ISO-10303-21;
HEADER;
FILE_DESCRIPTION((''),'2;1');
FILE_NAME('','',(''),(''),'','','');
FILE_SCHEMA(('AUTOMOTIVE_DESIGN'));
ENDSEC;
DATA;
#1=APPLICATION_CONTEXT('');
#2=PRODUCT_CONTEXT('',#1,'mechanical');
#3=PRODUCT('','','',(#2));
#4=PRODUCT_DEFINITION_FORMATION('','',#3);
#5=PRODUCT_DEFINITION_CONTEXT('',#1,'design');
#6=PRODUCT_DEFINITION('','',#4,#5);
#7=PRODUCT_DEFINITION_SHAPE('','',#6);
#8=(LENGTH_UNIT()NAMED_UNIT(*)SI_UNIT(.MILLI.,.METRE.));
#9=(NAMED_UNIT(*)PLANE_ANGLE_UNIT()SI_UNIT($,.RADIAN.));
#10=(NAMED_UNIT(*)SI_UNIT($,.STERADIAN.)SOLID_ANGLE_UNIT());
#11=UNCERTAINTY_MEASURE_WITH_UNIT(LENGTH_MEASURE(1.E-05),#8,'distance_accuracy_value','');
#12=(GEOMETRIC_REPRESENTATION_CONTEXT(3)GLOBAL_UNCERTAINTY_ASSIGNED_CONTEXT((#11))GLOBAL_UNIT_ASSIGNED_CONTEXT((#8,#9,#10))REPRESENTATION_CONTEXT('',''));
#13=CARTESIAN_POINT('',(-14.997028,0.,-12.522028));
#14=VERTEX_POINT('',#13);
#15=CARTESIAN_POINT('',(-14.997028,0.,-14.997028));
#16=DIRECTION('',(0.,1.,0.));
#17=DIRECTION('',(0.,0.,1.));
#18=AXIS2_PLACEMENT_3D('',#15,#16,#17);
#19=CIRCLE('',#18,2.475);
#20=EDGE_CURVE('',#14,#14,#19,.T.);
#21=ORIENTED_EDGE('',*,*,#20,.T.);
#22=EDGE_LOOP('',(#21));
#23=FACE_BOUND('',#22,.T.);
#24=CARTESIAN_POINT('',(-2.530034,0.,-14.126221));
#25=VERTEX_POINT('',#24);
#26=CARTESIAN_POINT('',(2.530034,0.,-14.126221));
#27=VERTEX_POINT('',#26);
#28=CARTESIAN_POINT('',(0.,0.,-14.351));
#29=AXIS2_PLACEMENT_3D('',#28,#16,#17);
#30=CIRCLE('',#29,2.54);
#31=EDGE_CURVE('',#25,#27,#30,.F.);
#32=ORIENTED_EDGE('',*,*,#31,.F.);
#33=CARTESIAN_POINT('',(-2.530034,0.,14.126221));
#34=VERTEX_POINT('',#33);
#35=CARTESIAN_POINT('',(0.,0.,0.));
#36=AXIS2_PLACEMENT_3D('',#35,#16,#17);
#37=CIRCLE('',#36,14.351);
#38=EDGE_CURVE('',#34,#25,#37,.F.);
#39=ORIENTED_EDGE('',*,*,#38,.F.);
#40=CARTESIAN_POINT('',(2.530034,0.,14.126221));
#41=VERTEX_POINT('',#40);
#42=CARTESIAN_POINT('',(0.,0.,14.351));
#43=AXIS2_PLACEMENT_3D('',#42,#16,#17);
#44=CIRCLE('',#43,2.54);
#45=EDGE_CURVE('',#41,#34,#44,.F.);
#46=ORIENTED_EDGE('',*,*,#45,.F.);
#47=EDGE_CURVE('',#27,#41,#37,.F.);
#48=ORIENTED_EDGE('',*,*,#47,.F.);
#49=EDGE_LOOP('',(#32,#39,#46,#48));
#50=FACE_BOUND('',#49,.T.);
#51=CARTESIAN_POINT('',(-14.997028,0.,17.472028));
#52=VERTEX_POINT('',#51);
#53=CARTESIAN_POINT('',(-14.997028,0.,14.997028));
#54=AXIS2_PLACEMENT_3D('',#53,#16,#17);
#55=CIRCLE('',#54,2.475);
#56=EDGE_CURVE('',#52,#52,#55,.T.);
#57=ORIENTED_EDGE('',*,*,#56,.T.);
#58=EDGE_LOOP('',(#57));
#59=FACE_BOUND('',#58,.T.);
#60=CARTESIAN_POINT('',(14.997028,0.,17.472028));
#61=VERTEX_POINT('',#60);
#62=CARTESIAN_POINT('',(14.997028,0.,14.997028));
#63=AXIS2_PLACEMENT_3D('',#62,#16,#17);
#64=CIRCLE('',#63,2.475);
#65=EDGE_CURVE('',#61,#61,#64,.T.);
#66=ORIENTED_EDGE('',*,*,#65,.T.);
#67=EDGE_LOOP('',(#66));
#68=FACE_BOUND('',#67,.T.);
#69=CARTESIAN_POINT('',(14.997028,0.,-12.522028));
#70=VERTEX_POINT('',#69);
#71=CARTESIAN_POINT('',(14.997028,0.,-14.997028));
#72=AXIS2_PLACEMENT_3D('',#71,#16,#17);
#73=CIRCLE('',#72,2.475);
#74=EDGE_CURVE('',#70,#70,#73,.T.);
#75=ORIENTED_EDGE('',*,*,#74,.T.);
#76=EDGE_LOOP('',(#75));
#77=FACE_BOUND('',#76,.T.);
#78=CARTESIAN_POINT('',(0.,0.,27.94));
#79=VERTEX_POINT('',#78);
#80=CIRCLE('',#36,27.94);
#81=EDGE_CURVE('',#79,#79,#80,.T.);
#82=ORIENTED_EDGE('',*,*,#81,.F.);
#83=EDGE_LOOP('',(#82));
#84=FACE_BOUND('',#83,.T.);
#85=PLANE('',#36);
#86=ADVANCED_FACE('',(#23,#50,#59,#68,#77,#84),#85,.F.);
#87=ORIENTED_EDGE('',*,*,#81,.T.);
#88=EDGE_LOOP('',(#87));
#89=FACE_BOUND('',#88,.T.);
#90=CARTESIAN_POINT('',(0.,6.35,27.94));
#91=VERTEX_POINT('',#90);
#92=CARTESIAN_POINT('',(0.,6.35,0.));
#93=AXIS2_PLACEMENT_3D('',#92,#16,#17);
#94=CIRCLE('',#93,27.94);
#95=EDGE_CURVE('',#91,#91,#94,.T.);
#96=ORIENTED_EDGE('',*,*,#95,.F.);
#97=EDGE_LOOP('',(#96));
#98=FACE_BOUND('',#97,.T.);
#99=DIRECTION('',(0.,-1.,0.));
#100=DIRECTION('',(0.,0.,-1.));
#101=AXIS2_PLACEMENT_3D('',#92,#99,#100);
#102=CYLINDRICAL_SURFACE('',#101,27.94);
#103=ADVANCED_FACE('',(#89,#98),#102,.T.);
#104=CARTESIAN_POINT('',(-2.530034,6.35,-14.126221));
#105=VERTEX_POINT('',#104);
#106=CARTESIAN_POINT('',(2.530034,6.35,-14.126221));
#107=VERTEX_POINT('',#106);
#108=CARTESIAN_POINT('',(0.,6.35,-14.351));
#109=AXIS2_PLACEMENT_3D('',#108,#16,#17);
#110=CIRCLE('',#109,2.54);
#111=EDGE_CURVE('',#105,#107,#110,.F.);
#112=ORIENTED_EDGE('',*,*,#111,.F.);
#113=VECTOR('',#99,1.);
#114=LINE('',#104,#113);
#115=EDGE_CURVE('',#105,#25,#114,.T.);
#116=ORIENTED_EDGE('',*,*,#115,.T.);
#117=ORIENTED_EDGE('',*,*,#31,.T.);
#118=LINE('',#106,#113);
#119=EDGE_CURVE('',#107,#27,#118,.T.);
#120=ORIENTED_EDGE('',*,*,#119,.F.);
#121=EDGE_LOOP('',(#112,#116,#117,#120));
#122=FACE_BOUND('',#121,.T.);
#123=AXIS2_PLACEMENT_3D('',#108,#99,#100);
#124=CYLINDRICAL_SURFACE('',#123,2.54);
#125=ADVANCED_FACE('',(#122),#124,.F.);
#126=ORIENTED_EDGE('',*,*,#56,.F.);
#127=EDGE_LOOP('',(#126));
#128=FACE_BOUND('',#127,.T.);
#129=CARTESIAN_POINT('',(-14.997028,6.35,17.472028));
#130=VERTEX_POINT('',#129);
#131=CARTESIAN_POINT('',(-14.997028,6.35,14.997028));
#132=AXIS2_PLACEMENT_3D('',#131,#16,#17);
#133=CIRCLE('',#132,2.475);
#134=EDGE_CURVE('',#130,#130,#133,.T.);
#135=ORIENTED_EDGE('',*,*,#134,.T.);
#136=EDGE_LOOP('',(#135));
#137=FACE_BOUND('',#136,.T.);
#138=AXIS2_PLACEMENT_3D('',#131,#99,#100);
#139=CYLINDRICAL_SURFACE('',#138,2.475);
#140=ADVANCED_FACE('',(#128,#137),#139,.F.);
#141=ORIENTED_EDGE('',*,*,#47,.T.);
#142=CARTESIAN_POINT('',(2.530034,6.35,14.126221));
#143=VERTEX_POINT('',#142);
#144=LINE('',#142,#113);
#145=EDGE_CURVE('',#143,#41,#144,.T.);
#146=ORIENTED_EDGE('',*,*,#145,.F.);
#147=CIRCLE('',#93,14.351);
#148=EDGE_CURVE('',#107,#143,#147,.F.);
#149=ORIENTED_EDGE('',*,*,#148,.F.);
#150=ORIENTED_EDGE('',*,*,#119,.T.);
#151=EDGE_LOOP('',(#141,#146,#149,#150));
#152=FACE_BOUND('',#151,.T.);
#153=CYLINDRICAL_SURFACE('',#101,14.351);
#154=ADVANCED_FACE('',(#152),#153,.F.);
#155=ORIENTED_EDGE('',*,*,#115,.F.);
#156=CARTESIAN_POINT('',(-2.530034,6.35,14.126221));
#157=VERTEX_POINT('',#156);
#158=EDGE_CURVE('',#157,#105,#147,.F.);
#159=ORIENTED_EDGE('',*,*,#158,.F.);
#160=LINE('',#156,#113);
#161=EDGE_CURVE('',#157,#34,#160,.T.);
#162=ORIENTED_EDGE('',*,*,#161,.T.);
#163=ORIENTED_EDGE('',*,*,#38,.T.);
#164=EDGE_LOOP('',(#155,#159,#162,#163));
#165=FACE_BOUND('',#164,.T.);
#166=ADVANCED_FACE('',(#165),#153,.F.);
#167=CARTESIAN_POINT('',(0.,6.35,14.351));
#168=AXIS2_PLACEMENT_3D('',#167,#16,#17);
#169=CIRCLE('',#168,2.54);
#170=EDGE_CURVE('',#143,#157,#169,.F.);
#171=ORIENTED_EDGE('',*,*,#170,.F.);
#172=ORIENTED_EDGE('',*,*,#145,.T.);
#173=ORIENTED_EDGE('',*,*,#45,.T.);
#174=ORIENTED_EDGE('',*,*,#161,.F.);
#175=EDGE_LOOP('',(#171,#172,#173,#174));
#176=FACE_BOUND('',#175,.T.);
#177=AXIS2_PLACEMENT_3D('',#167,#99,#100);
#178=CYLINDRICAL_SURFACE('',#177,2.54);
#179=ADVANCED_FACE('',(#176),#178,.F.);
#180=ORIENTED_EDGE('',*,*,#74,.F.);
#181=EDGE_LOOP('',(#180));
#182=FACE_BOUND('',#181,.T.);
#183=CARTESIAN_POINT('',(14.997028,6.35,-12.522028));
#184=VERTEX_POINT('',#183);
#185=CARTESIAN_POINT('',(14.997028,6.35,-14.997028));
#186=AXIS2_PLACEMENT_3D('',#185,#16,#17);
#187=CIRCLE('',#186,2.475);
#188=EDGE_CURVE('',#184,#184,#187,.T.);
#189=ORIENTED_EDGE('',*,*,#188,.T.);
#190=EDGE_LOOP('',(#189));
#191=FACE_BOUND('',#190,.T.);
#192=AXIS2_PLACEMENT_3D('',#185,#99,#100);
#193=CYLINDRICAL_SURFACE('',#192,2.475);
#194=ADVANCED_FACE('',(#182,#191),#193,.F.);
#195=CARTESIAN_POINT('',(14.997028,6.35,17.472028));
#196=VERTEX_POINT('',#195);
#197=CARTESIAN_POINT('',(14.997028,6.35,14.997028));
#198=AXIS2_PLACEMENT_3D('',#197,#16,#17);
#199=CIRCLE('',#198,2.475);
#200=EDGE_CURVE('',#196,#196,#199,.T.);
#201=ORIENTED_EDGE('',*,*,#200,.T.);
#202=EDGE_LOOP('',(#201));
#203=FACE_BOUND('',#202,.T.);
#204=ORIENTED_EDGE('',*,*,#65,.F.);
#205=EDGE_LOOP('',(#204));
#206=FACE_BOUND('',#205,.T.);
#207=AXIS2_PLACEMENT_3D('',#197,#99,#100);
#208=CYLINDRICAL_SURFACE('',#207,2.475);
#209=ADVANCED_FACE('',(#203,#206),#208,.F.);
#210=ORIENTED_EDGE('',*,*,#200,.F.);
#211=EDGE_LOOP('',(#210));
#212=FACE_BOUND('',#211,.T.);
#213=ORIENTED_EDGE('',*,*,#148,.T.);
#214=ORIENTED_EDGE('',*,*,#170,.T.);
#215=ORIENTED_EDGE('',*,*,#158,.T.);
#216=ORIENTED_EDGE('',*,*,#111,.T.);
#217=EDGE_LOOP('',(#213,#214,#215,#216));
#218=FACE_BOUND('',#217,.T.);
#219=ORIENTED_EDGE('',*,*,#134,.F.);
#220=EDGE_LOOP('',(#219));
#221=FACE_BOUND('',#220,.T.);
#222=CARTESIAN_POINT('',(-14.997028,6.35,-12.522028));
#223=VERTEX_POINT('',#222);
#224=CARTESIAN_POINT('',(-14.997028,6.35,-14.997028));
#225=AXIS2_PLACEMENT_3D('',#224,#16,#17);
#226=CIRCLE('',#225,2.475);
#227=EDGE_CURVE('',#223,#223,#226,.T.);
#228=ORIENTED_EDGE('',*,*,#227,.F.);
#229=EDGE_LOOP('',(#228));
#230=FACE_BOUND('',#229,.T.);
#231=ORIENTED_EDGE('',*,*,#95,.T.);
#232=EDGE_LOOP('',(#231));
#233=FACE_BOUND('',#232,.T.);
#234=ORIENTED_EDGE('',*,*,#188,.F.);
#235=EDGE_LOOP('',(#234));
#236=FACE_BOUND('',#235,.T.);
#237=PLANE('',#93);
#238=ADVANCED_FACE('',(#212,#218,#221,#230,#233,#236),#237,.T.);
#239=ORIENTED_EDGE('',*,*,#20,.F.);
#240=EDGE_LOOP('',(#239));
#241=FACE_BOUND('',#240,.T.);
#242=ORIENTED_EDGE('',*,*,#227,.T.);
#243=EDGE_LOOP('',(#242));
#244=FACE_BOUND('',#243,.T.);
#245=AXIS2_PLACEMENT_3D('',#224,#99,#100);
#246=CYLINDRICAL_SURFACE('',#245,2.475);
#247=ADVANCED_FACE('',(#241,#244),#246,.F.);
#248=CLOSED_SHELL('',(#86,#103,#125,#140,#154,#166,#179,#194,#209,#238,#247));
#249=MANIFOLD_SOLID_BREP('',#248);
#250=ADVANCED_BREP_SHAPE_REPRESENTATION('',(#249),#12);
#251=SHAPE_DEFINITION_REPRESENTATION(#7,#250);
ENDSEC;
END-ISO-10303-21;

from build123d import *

# Parameters (mm, degrees)
F_0_5IN_SOCKET_R    = 27.94
F_0_5IN_SOCKET_R_2  = 2.475
BOSS_EXTRUDE1_DEPTH = 6.35


with BuildPart() as part:
    # 0.5in Socket → Boss-Extrude1 (new body)
    with BuildSketch(Plane(origin=(0, 0, 0), x_dir=(1, 0, 0), z_dir=(0, 1, 0))):
        with Locations(Location((0, 0, 0), (0, 0, 270))):
            Circle(F_0_5IN_SOCKET_R)
        with Locations(Location((-14.997027722, -14.997027722, 0), (0, 0, 270))):
            Circle(F_0_5IN_SOCKET_R_2, mode=Mode.SUBTRACT)
        with Locations(Location((-14.997027722, 14.997027722, 0), (0, 0, 270))):
            Circle(F_0_5IN_SOCKET_R_2, mode=Mode.SUBTRACT)
        with Locations(Location((14.997027722, 14.997027722, 0), (0, 0, 270))):
            Circle(F_0_5IN_SOCKET_R_2, mode=Mode.SUBTRACT)
        with Locations(Location((14.997027722, -14.997027722, 0), (0, 0, 270))):
            Circle(F_0_5IN_SOCKET_R_2, mode=Mode.SUBTRACT)
        with BuildLine():
            ThreePointArc((2.530034488, -14.126221239), (0, -16.891), (-2.530034488, -14.126221239))
            ThreePointArc((-2.530034488, -14.126221239), (-14.351, 0), (-2.530034488, 14.126221239))
            ThreePointArc((-2.530034488, 14.126221239), (0, 16.891), (2.530034488, 14.126221239))
            ThreePointArc((2.530034488, 14.126221239), (14.351, 0), (2.530034488, -14.126221239))
        make_face(mode=Mode.SUBTRACT)
    extrude(amount=BOSS_EXTRUDE1_DEPTH)


solid = part.part
